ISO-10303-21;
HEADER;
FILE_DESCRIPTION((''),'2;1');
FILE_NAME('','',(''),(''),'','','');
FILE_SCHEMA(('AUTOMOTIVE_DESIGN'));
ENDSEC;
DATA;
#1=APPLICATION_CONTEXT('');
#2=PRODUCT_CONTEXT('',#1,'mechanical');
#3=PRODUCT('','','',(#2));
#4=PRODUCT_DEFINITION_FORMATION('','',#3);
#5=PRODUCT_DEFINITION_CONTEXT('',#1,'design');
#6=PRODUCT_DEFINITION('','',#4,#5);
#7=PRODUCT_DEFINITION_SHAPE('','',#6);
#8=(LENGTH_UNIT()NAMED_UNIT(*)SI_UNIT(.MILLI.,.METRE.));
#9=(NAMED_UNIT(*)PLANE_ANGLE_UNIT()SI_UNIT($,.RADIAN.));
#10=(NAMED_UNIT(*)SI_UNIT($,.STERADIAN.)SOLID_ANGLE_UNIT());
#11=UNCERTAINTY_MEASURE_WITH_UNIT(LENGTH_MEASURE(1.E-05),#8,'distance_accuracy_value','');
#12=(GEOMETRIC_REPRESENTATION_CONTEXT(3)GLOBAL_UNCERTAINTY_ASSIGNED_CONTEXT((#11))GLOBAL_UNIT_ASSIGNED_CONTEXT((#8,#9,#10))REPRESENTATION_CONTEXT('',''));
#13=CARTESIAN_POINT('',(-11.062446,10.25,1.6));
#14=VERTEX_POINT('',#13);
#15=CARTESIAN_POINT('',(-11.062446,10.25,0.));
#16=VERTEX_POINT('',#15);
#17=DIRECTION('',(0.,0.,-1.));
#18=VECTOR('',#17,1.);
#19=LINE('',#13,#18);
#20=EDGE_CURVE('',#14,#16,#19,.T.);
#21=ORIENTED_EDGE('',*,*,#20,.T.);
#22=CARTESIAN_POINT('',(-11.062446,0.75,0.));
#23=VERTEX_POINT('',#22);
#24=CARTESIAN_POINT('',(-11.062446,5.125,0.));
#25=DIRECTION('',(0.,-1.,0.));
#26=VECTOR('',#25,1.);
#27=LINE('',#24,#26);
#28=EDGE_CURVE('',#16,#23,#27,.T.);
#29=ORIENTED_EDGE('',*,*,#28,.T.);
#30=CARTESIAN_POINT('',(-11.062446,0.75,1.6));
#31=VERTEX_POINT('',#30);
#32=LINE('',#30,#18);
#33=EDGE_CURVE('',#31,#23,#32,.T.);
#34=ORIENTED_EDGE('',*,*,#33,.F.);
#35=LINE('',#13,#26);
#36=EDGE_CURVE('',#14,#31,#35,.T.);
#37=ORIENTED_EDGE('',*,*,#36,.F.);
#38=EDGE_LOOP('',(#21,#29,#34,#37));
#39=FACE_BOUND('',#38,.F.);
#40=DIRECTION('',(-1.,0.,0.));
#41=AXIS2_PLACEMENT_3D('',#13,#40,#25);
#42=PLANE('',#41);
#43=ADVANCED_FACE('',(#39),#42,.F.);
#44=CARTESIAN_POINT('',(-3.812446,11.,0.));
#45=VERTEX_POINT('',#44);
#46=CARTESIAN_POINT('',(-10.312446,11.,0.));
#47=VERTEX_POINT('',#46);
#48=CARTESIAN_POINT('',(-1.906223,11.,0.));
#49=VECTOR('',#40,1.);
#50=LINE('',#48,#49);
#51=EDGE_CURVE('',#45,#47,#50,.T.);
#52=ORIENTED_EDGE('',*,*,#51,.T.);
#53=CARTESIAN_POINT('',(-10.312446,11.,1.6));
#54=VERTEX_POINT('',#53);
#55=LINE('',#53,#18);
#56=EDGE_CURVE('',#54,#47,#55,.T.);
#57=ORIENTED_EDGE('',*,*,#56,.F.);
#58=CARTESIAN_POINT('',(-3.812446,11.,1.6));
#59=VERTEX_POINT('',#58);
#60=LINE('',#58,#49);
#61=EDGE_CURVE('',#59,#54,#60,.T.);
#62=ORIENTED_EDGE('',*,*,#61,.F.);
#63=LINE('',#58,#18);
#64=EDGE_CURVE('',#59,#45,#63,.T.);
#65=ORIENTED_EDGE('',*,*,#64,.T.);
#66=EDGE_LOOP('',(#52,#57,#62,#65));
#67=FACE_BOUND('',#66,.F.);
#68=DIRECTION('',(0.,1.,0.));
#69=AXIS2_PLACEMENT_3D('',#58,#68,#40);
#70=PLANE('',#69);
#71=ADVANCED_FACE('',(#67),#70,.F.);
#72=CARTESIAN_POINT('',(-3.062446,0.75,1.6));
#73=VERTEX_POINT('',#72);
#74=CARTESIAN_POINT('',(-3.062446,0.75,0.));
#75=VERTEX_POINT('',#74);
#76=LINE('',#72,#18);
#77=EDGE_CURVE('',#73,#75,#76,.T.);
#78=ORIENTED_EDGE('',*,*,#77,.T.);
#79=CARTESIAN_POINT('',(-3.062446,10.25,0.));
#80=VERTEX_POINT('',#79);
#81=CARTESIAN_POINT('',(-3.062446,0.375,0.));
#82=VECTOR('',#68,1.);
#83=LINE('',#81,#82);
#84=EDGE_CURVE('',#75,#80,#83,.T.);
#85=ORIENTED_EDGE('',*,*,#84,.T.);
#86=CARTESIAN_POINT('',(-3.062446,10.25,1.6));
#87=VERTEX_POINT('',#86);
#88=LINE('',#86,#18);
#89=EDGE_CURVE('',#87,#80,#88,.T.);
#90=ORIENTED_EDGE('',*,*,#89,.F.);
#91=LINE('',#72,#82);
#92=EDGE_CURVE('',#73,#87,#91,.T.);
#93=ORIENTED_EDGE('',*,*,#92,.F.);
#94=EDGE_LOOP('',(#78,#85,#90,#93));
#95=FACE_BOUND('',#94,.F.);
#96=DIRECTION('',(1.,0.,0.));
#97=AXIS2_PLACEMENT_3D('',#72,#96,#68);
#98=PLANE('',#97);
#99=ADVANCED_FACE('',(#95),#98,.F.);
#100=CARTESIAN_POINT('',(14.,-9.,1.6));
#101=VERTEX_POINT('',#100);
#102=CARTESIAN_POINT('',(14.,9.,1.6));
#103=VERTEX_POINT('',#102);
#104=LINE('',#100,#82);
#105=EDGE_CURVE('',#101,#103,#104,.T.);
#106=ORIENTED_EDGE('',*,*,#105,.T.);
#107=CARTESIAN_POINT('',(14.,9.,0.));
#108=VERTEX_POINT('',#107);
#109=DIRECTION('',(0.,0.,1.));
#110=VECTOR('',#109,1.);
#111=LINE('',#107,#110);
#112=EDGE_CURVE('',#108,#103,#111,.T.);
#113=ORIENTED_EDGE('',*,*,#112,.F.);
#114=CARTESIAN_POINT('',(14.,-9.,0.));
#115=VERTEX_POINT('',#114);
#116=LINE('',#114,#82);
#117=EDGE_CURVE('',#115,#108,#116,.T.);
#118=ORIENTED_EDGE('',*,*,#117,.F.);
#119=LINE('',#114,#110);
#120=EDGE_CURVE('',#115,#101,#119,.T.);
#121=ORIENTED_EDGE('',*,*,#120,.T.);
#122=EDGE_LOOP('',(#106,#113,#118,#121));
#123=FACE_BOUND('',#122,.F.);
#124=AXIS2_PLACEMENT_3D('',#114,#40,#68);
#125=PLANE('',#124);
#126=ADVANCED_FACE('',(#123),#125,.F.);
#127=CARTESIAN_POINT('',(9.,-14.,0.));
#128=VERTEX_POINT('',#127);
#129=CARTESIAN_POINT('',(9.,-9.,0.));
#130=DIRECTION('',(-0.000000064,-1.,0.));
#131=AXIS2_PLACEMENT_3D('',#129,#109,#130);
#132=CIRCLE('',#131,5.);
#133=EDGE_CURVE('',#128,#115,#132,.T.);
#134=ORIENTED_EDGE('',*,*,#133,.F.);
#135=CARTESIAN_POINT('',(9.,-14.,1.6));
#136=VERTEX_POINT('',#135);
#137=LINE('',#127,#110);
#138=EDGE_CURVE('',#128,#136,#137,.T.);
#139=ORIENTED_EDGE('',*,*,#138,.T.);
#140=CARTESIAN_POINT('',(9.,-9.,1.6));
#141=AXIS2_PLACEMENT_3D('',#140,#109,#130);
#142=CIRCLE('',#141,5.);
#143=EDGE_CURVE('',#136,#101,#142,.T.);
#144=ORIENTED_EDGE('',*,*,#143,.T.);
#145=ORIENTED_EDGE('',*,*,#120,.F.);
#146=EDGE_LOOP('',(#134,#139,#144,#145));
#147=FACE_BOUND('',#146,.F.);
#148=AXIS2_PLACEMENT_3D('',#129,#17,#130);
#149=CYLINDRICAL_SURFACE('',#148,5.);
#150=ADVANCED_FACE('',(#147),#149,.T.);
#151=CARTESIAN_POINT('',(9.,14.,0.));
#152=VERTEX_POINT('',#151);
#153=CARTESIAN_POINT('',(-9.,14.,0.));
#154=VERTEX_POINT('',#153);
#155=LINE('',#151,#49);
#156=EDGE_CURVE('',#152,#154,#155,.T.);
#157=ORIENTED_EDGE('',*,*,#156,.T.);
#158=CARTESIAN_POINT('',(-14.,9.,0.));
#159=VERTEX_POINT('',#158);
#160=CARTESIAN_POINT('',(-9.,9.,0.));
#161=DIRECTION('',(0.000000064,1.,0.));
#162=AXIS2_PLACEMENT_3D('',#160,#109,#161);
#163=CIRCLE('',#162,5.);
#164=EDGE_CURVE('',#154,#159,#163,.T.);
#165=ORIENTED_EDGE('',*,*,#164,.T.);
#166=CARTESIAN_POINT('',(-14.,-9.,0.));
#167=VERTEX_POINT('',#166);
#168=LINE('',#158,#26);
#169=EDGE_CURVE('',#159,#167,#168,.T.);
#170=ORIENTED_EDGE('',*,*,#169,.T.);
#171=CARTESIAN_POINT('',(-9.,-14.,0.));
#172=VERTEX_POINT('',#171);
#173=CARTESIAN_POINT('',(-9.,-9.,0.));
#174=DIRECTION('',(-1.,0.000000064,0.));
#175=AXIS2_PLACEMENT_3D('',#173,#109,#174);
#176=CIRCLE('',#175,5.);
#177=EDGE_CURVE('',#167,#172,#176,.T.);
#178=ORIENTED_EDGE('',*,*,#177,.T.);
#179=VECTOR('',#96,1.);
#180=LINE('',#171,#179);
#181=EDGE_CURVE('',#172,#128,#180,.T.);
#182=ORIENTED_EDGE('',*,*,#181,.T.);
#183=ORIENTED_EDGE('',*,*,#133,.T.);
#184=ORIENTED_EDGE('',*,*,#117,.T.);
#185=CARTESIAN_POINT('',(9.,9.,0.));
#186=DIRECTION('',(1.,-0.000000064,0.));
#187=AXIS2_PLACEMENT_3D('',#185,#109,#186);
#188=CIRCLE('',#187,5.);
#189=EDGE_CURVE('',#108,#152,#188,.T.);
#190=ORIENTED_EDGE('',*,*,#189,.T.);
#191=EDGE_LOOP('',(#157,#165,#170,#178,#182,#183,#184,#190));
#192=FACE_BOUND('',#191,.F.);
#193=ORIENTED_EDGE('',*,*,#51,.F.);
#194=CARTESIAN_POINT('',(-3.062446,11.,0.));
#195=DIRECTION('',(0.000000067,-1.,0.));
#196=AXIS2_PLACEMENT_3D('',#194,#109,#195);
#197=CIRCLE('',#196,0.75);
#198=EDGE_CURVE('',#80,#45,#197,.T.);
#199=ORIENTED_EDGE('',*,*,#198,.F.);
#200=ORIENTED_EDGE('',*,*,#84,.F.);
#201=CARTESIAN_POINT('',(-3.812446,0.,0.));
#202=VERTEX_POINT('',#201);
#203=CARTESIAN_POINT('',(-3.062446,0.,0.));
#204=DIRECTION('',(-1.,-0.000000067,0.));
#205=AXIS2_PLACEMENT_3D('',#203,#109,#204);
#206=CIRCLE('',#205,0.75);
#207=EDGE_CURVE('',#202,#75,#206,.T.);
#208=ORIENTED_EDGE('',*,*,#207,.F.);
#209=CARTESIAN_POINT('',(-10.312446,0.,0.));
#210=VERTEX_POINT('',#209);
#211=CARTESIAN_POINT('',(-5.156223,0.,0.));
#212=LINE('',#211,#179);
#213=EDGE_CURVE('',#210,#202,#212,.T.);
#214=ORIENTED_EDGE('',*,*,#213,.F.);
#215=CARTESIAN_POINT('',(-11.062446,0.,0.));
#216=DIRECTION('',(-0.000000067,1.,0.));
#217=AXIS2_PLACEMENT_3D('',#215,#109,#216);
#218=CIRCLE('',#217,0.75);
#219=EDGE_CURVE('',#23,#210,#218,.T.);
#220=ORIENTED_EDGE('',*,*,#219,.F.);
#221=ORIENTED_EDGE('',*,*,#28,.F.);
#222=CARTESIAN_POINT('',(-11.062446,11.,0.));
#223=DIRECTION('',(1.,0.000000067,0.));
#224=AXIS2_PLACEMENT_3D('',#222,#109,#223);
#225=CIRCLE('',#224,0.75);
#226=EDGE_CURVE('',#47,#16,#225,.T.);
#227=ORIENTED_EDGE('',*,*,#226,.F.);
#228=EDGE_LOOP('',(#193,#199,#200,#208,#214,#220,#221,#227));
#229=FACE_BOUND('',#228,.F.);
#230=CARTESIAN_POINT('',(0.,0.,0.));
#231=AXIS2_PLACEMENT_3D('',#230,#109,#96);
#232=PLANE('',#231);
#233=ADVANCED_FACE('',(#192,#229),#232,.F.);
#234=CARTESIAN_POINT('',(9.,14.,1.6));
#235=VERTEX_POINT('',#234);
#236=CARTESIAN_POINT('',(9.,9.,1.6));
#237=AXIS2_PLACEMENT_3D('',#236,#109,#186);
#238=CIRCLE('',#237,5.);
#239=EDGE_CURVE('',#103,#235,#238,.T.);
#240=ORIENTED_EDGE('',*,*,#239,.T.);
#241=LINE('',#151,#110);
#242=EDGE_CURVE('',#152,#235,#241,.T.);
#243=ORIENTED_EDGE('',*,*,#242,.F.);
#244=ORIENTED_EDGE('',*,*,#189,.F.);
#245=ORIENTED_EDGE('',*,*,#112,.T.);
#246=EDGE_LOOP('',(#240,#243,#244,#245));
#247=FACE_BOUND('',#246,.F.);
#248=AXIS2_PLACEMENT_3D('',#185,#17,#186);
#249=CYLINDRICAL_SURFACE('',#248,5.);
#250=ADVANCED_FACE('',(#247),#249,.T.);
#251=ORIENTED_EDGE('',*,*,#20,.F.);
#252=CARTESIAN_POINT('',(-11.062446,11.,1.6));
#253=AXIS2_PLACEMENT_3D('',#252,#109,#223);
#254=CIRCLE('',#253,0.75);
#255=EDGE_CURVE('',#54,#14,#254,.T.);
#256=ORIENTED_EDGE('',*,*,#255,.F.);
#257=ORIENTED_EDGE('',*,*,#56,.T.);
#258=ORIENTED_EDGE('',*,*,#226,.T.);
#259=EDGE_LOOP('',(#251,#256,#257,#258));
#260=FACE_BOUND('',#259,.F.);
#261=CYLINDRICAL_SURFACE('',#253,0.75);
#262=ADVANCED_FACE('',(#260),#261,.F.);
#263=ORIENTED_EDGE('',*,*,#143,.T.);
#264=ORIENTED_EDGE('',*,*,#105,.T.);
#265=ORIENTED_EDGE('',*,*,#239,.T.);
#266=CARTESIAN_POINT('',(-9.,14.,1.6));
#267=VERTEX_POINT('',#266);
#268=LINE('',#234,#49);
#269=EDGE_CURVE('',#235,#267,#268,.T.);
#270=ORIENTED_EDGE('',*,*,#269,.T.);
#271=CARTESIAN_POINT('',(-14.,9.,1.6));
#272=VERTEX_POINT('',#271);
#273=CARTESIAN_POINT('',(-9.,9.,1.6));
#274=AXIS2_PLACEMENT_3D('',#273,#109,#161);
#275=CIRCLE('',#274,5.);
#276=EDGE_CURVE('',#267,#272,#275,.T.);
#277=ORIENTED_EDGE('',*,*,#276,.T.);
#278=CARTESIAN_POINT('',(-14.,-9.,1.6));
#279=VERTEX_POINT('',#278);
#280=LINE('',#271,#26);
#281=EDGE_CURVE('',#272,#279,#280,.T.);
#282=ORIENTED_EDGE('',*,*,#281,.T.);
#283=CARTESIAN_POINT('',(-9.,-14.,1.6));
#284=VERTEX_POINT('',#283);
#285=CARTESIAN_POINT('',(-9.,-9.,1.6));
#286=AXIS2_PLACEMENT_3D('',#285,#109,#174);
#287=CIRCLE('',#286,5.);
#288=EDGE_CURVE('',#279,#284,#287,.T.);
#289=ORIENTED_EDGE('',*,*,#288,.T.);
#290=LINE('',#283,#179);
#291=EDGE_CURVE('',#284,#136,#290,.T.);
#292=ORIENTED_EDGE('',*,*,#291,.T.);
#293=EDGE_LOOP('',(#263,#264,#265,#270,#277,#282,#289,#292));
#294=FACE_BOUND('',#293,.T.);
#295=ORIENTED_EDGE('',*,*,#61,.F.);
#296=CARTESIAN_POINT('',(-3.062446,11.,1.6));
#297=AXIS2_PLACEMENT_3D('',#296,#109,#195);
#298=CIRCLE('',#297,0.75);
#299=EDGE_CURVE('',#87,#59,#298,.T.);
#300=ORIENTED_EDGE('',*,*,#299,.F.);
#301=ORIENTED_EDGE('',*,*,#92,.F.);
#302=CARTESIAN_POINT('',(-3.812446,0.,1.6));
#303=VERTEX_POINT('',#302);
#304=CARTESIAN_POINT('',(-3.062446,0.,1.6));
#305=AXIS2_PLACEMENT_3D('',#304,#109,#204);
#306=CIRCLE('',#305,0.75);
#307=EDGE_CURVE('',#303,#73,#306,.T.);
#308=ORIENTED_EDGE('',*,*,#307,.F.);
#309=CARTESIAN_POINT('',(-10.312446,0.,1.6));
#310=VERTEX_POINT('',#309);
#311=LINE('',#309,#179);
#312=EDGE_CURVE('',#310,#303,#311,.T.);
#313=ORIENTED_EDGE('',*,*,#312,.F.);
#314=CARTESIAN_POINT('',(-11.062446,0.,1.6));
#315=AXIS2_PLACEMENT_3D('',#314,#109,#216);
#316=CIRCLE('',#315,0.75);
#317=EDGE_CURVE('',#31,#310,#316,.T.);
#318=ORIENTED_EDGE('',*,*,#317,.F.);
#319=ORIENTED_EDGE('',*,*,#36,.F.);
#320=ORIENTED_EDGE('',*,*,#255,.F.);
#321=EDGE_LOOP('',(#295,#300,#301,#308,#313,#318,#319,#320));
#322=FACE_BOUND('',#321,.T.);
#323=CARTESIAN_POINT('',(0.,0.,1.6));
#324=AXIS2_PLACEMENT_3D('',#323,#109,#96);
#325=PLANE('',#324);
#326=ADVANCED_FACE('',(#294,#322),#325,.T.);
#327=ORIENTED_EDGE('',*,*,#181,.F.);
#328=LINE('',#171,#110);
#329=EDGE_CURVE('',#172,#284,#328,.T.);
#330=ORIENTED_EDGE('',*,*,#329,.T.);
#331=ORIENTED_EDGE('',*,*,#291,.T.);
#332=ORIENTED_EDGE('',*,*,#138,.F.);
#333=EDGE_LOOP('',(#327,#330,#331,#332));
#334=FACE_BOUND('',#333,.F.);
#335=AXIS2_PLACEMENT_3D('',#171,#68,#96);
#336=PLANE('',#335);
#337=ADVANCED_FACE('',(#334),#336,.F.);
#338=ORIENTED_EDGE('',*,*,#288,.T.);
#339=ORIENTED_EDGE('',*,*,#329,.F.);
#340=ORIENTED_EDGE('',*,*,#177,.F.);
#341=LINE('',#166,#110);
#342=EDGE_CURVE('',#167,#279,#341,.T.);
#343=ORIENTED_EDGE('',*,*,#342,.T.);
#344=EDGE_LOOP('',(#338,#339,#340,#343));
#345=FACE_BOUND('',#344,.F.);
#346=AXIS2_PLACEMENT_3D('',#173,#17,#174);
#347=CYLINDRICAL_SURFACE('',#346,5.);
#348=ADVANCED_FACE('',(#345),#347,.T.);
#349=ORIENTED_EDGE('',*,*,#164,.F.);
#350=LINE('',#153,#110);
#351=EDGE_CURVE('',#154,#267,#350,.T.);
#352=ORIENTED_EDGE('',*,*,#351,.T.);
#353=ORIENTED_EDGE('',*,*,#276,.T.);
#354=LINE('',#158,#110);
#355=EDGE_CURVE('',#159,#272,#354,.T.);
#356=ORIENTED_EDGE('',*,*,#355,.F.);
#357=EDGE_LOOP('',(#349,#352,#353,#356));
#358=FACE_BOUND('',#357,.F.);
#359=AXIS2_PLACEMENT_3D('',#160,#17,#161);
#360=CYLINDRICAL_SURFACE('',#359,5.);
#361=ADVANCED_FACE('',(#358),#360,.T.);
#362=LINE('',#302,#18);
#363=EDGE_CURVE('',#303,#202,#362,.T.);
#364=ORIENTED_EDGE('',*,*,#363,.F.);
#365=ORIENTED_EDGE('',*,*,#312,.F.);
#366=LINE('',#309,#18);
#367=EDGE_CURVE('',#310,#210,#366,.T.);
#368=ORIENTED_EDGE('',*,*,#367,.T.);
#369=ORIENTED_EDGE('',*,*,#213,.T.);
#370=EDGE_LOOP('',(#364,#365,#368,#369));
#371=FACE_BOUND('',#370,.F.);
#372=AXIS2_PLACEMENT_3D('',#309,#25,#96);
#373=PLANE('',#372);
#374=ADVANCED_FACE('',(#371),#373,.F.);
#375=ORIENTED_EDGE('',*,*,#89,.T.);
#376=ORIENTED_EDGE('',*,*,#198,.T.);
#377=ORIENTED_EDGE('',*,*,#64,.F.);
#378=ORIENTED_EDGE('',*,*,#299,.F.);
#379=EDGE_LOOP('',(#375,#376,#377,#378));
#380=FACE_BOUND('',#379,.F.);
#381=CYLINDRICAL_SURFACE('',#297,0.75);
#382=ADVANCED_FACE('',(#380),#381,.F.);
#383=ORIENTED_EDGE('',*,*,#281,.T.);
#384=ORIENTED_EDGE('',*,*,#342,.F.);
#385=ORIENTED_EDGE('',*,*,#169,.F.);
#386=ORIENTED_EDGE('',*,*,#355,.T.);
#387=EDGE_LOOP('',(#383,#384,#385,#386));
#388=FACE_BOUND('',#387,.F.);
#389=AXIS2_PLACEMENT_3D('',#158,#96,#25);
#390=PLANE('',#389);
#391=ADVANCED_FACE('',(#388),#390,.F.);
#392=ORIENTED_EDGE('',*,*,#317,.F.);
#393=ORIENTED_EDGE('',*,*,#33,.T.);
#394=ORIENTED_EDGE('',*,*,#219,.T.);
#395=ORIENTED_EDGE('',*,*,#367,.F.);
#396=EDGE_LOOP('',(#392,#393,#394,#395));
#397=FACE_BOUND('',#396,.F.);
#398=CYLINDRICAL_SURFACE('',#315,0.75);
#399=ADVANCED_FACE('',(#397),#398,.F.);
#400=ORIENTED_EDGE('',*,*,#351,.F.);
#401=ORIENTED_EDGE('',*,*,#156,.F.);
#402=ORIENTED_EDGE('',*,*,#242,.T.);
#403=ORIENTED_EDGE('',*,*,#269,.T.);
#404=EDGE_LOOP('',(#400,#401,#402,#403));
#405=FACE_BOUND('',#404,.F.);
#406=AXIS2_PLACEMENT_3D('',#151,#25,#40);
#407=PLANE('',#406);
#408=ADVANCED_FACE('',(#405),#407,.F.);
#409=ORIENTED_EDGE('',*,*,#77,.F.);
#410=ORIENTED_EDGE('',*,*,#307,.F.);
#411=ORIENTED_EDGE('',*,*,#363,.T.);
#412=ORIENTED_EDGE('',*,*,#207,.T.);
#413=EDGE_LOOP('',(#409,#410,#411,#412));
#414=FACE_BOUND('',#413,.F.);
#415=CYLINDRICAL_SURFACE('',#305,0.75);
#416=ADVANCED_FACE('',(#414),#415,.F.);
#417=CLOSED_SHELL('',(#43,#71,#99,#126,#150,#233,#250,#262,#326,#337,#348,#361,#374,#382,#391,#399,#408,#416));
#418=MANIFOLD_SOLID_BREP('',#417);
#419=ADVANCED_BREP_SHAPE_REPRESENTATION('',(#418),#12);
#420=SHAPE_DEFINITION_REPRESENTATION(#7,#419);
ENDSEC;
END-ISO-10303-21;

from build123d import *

# Parameters (mm, degrees)
F1_DEPTH = 1.6
F3_DEPTH = 1.601


with BuildPart() as f1:
    # F0 (on Top) → F1 (new body)
    with BuildSketch(Plane.XY):
        with BuildLine():
            Line((9, 14), (-9, 14))
            ThreePointArc((-9, 14), (-12.535534, 12.535534), (-14, 9))
            Line((-14, 9), (-14, -9))
            ThreePointArc((-14, -9), (-12.535534, -12.535534), (-9, -14))
            Line((-9, -14), (9, -14))
            ThreePointArc((9, -14), (12.535534, -12.535534), (14, -9))
            Line((14, -9), (14, 9))
            ThreePointArc((14, 9), (12.535534, 12.535534), (9, 14))
        make_face()
    extrude(amount=F1_DEPTH)

    # F2 (on face) → F3 (cut, through all)
    with BuildSketch(Plane.XY.offset(1.6)):
        with BuildLine():
            Line((-3.812446, 11), (-10.312446, 11))
            ThreePointArc((-10.312446, 11), (-11.592776, 11.53033), (-11.062446, 10.25))
            Line((-11.062446, 10.25), (-11.062446, 0.75))
            ThreePointArc((-11.062446, 0.75), (-11.592776, -0.53033), (-10.312446, 0))
            Line((-10.312446, 0), (-3.812446, 0))
            ThreePointArc((-3.812446, 0), (-2.532116, -0.53033), (-3.062446, 0.75))
            Line((-3.062446, 0.75), (-3.062446, 10.25))
            ThreePointArc((-3.062446, 10.25), (-2.532116, 11.53033), (-3.812446, 11))
        make_face()
    extrude(amount=-F3_DEPTH, mode=Mode.SUBTRACT)


solid = f1.part
